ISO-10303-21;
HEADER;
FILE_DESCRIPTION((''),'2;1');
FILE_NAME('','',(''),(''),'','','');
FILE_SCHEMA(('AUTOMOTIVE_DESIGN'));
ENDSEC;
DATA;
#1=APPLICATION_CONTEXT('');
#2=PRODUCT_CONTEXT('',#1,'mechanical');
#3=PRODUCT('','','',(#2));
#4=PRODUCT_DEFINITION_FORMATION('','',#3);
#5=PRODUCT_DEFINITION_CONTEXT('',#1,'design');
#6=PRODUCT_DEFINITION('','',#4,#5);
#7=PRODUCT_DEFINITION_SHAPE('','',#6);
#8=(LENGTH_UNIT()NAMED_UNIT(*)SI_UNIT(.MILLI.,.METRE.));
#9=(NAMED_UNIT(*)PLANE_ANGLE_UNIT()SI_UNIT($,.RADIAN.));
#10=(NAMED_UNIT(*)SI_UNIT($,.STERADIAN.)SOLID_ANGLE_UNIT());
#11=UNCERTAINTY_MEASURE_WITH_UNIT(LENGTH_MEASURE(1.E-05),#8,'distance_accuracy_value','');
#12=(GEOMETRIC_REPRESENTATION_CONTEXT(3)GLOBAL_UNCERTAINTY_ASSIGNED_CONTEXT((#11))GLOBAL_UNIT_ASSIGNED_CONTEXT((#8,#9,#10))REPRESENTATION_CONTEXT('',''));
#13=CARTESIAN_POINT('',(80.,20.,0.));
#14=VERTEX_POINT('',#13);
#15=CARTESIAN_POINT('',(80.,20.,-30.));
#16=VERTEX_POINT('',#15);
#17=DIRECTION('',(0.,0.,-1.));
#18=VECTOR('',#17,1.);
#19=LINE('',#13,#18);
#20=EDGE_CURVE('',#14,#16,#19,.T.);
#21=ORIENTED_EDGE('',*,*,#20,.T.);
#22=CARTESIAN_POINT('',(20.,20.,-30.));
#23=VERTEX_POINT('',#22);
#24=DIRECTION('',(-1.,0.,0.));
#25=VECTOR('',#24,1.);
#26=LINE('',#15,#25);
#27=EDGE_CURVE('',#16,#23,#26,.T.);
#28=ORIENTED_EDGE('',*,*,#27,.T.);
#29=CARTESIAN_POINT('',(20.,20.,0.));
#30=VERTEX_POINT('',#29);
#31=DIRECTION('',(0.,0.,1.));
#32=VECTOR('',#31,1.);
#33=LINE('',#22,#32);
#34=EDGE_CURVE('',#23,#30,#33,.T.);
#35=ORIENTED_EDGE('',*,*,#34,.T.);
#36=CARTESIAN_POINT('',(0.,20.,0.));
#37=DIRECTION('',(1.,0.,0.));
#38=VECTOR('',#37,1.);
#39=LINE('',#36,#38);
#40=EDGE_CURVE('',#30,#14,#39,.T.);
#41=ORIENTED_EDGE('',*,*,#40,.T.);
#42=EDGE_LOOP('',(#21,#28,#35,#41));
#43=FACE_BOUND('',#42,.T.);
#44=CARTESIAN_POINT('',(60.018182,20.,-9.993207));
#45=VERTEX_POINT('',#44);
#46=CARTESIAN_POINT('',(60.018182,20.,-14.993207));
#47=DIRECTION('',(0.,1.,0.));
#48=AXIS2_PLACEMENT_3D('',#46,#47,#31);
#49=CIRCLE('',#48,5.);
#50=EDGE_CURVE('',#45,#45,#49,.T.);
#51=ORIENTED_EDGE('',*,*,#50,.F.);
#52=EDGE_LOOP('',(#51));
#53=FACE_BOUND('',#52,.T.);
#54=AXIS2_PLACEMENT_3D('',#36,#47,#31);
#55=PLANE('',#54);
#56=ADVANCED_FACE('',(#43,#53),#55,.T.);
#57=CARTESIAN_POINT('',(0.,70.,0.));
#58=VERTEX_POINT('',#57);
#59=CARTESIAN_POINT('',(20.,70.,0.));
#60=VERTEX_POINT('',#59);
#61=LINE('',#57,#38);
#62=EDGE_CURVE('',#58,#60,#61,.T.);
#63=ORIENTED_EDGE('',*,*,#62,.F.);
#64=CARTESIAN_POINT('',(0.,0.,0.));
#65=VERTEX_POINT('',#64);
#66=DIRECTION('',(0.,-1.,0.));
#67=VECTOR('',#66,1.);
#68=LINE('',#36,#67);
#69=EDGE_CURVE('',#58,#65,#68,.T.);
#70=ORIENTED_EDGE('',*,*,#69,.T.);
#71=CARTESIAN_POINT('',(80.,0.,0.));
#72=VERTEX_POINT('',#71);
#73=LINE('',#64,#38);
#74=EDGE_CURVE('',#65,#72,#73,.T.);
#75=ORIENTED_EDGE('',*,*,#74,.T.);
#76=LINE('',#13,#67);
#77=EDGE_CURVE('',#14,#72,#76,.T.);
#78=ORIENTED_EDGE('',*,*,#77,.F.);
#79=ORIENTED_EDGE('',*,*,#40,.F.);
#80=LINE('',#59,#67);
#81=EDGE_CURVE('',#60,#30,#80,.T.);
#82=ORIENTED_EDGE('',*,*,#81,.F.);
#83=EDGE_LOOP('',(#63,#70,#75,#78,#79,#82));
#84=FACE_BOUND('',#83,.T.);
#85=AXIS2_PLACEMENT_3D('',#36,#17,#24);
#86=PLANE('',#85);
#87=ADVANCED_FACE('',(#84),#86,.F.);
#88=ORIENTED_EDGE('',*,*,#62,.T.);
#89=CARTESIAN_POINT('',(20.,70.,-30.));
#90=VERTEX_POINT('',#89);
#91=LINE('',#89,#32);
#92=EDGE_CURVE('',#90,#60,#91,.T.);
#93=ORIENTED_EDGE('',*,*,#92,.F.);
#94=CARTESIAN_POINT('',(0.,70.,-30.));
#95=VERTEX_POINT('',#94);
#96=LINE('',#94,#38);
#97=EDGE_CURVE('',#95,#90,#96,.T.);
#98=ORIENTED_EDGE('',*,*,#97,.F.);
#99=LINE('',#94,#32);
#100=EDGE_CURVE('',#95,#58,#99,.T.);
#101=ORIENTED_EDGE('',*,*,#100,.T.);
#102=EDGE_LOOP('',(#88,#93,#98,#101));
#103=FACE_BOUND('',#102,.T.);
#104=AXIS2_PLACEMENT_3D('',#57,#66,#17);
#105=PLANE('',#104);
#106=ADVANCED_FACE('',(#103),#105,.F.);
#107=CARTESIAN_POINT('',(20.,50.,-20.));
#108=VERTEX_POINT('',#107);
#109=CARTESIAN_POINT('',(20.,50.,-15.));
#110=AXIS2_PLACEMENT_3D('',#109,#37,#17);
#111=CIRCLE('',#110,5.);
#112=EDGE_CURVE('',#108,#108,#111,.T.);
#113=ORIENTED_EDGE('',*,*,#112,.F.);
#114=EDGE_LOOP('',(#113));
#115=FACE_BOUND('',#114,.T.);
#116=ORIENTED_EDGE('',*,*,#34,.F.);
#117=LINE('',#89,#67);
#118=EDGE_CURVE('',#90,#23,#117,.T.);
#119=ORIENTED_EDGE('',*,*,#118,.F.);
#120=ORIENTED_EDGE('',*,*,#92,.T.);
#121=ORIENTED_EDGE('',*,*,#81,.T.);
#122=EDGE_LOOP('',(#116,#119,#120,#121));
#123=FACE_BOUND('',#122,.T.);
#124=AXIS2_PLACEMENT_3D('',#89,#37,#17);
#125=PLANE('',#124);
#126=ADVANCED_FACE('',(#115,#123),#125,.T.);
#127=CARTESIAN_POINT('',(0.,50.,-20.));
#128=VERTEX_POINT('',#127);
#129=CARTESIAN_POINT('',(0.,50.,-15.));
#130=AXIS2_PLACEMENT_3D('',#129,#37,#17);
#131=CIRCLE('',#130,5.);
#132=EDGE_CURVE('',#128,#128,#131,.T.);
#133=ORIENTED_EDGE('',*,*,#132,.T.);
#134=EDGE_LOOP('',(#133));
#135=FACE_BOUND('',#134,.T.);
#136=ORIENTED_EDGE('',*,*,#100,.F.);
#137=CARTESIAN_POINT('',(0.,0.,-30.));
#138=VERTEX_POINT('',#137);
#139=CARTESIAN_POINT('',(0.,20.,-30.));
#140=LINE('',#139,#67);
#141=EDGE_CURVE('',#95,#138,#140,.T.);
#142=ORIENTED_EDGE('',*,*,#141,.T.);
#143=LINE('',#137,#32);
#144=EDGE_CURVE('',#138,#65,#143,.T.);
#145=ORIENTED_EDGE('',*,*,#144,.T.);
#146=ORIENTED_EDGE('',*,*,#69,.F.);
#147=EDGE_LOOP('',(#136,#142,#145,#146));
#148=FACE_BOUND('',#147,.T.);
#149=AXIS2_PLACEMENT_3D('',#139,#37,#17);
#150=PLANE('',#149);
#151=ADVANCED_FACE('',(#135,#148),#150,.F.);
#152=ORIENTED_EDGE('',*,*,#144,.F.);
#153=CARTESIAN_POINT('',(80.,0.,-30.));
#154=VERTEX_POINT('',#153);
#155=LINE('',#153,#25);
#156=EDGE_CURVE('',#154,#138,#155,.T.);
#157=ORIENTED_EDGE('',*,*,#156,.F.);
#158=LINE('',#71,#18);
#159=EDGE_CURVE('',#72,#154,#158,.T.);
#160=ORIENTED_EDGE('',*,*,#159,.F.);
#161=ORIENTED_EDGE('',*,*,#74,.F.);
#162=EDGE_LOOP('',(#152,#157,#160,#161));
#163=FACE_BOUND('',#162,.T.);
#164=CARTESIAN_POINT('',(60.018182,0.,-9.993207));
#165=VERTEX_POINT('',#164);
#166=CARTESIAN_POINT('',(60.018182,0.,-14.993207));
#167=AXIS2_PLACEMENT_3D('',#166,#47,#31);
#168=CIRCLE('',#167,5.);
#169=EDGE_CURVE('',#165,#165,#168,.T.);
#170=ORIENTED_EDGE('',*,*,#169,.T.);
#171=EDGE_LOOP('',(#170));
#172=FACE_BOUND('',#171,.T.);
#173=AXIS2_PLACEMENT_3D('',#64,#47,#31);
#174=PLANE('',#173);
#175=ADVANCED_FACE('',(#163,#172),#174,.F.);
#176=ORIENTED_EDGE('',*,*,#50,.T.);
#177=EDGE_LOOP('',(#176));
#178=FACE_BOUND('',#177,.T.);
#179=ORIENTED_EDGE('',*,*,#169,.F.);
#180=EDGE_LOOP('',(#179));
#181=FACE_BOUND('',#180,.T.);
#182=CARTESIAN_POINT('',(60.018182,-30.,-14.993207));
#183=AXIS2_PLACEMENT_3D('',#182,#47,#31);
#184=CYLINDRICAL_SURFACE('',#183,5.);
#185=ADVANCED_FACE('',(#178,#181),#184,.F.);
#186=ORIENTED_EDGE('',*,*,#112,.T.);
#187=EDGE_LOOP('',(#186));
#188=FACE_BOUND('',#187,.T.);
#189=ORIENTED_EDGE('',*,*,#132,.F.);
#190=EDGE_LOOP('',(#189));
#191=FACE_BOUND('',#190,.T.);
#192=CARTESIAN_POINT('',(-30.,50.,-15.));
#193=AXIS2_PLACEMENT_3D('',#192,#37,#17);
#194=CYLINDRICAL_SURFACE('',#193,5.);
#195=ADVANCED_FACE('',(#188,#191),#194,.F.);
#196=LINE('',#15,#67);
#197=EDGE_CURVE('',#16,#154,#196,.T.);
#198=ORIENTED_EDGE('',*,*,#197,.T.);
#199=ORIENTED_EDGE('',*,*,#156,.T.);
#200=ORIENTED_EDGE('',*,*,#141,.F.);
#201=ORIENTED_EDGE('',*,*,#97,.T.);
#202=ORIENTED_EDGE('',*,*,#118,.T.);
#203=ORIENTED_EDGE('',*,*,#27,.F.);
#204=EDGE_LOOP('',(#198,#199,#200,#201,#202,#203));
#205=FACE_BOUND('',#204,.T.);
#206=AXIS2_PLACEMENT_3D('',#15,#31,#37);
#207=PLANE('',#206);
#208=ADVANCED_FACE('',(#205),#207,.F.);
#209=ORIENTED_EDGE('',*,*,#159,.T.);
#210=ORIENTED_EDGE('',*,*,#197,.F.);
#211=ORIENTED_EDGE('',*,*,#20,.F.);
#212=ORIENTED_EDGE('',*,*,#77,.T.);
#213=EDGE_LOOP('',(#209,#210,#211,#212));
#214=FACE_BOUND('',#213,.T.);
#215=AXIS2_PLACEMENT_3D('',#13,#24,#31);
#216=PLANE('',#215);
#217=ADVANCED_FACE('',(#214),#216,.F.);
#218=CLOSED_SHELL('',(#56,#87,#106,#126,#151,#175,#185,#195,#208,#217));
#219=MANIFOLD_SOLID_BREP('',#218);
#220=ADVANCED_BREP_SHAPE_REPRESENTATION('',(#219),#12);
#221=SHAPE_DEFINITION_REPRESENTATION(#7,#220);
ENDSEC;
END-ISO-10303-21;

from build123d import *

# Parameters (mm, degrees)
SKETCH1_W           = 80
SKETCH1_H           = 30
BOSS_EXTRUDE2_DEPTH = 20
SKETCH4_W           = 20
SKETCH4_H           = 30
BOSS_EXTRUDE3_DEPTH = 50
SKETCH6_R           = 5
CUT_EXTRUDE2_DEPTH  = 50
SKETCH7_R           = 5
CUT_EXTRUDE4_DEPTH  = 50


with BuildPart() as part:
    # Sketch1 → Boss-Extrude2 (new body)
    with BuildSketch(Plane(origin=(0, 0, 0), x_dir=(1, 0, 0), z_dir=(0, 1, 0))):
        with Locations((40, 15)):
            Rectangle(SKETCH1_W, SKETCH1_H)
    extrude(amount=BOSS_EXTRUDE2_DEPTH)

    # Sketch4 → Boss-Extrude3 (add)
    with BuildSketch(Plane(origin=(0, 20, 0), x_dir=(1, 0, 0), z_dir=(0, 1, 0))):
        with Locations((10, 15)):
            Rectangle(SKETCH4_W, SKETCH4_H)
    extrude(amount=BOSS_EXTRUDE3_DEPTH)

    # Sketch6 → Cut-Extrude2 (cut)
    with BuildSketch(Plane(origin=(0, 20, 0), x_dir=(1, 0, 0), z_dir=(0, 1, 0))):
        with Locations(Location((60.018182297, 14.993207378, 0), (0, 0, 270))):
            Circle(SKETCH6_R)
    extrude(amount=-CUT_EXTRUDE2_DEPTH, mode=Mode.SUBTRACT)

    # Sketch7 → Cut-Extrude4 (cut)
    with BuildSketch(Plane(origin=(20, 0, 0), x_dir=(0, 0, -1), z_dir=(1, 0, 0))):
        with Locations((15, 50)):
            Circle(SKETCH7_R)
    extrude(amount=-CUT_EXTRUDE4_DEPTH, mode=Mode.SUBTRACT)


solid = part.part
